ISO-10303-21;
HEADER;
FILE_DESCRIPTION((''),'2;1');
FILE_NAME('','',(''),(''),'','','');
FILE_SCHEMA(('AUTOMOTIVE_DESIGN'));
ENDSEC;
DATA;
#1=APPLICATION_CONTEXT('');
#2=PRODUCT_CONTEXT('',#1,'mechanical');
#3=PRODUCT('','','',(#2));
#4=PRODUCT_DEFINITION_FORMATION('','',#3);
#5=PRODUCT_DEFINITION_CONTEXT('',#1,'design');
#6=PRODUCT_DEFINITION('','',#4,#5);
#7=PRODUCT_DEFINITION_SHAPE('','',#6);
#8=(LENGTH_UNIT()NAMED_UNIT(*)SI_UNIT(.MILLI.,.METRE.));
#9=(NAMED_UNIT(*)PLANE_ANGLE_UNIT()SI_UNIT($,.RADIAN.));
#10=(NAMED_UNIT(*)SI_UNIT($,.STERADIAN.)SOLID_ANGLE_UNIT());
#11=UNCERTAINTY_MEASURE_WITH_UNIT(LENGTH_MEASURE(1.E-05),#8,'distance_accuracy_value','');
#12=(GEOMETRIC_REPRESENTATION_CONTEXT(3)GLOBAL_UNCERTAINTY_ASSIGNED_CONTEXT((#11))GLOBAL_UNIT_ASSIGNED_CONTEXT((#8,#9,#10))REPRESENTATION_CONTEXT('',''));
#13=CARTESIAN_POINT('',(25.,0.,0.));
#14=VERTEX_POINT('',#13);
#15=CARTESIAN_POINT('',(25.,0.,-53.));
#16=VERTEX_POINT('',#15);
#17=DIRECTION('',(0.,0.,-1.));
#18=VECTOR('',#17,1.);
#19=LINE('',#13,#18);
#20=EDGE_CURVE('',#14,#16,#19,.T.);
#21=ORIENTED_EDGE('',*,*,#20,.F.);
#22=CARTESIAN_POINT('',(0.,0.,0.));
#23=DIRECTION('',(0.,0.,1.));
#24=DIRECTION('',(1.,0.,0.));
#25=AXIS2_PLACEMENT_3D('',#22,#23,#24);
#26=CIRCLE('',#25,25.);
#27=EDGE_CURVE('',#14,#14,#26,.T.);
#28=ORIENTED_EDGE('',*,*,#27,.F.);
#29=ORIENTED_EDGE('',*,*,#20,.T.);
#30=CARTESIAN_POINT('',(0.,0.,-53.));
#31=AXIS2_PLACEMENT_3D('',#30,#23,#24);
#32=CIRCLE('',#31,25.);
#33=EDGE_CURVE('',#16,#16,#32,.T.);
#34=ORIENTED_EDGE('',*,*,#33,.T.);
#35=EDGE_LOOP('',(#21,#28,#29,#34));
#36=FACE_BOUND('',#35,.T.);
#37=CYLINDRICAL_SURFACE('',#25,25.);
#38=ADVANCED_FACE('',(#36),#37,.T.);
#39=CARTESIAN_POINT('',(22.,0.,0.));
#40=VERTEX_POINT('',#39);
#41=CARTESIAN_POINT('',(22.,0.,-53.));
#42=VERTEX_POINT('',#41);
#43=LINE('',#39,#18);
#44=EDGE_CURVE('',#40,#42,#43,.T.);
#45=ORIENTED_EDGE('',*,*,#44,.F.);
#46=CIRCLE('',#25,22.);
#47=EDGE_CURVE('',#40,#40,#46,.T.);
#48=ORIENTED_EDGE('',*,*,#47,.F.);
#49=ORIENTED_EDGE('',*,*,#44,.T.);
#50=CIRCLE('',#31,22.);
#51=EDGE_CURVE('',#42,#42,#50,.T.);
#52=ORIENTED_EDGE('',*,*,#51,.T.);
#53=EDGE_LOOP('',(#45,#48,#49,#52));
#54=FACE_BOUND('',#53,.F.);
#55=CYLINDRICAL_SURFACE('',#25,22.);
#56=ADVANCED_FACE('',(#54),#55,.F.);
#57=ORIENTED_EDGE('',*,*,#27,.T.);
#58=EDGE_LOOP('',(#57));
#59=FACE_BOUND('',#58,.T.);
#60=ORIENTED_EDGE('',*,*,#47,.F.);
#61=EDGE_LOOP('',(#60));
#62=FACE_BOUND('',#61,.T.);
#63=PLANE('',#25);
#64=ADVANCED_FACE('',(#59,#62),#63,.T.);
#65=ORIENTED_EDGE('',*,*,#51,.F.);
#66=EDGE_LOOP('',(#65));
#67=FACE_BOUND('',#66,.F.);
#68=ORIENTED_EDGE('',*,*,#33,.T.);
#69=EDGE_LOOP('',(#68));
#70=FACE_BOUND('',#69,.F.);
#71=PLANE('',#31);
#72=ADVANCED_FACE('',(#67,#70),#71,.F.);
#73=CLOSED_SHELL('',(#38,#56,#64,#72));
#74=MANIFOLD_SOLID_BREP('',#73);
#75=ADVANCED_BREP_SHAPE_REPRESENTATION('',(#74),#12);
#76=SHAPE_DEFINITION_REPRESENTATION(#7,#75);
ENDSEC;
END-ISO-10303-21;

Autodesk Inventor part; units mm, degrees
ref_plane "YZ Plane" through (0, 0, 0) normal (1, 0, 0) x (0, 1, 0)
ref_plane "XZ Plane" through (0, 0, 0) normal (0, 1, 0) x (-1, 0, 0)
sketch "Sketch1" plane through (0, 0, 0) normal (0, 0, 1) x (1, 0, 0)
  circle A0 centre (0, 0) radius 22 projected
  circle A1 centre (0, 0) radius 25
  dimension "d0" = 50
ref_plane "Work Plane1" through (-22, -22, -53) normal (0, 0, -1) x (0, 1, 0)
extrude "Extrusion1" add sketch "Sketch1" against normal up to surface (53 mm away)
properties part number "oponka" material "Rubber"
